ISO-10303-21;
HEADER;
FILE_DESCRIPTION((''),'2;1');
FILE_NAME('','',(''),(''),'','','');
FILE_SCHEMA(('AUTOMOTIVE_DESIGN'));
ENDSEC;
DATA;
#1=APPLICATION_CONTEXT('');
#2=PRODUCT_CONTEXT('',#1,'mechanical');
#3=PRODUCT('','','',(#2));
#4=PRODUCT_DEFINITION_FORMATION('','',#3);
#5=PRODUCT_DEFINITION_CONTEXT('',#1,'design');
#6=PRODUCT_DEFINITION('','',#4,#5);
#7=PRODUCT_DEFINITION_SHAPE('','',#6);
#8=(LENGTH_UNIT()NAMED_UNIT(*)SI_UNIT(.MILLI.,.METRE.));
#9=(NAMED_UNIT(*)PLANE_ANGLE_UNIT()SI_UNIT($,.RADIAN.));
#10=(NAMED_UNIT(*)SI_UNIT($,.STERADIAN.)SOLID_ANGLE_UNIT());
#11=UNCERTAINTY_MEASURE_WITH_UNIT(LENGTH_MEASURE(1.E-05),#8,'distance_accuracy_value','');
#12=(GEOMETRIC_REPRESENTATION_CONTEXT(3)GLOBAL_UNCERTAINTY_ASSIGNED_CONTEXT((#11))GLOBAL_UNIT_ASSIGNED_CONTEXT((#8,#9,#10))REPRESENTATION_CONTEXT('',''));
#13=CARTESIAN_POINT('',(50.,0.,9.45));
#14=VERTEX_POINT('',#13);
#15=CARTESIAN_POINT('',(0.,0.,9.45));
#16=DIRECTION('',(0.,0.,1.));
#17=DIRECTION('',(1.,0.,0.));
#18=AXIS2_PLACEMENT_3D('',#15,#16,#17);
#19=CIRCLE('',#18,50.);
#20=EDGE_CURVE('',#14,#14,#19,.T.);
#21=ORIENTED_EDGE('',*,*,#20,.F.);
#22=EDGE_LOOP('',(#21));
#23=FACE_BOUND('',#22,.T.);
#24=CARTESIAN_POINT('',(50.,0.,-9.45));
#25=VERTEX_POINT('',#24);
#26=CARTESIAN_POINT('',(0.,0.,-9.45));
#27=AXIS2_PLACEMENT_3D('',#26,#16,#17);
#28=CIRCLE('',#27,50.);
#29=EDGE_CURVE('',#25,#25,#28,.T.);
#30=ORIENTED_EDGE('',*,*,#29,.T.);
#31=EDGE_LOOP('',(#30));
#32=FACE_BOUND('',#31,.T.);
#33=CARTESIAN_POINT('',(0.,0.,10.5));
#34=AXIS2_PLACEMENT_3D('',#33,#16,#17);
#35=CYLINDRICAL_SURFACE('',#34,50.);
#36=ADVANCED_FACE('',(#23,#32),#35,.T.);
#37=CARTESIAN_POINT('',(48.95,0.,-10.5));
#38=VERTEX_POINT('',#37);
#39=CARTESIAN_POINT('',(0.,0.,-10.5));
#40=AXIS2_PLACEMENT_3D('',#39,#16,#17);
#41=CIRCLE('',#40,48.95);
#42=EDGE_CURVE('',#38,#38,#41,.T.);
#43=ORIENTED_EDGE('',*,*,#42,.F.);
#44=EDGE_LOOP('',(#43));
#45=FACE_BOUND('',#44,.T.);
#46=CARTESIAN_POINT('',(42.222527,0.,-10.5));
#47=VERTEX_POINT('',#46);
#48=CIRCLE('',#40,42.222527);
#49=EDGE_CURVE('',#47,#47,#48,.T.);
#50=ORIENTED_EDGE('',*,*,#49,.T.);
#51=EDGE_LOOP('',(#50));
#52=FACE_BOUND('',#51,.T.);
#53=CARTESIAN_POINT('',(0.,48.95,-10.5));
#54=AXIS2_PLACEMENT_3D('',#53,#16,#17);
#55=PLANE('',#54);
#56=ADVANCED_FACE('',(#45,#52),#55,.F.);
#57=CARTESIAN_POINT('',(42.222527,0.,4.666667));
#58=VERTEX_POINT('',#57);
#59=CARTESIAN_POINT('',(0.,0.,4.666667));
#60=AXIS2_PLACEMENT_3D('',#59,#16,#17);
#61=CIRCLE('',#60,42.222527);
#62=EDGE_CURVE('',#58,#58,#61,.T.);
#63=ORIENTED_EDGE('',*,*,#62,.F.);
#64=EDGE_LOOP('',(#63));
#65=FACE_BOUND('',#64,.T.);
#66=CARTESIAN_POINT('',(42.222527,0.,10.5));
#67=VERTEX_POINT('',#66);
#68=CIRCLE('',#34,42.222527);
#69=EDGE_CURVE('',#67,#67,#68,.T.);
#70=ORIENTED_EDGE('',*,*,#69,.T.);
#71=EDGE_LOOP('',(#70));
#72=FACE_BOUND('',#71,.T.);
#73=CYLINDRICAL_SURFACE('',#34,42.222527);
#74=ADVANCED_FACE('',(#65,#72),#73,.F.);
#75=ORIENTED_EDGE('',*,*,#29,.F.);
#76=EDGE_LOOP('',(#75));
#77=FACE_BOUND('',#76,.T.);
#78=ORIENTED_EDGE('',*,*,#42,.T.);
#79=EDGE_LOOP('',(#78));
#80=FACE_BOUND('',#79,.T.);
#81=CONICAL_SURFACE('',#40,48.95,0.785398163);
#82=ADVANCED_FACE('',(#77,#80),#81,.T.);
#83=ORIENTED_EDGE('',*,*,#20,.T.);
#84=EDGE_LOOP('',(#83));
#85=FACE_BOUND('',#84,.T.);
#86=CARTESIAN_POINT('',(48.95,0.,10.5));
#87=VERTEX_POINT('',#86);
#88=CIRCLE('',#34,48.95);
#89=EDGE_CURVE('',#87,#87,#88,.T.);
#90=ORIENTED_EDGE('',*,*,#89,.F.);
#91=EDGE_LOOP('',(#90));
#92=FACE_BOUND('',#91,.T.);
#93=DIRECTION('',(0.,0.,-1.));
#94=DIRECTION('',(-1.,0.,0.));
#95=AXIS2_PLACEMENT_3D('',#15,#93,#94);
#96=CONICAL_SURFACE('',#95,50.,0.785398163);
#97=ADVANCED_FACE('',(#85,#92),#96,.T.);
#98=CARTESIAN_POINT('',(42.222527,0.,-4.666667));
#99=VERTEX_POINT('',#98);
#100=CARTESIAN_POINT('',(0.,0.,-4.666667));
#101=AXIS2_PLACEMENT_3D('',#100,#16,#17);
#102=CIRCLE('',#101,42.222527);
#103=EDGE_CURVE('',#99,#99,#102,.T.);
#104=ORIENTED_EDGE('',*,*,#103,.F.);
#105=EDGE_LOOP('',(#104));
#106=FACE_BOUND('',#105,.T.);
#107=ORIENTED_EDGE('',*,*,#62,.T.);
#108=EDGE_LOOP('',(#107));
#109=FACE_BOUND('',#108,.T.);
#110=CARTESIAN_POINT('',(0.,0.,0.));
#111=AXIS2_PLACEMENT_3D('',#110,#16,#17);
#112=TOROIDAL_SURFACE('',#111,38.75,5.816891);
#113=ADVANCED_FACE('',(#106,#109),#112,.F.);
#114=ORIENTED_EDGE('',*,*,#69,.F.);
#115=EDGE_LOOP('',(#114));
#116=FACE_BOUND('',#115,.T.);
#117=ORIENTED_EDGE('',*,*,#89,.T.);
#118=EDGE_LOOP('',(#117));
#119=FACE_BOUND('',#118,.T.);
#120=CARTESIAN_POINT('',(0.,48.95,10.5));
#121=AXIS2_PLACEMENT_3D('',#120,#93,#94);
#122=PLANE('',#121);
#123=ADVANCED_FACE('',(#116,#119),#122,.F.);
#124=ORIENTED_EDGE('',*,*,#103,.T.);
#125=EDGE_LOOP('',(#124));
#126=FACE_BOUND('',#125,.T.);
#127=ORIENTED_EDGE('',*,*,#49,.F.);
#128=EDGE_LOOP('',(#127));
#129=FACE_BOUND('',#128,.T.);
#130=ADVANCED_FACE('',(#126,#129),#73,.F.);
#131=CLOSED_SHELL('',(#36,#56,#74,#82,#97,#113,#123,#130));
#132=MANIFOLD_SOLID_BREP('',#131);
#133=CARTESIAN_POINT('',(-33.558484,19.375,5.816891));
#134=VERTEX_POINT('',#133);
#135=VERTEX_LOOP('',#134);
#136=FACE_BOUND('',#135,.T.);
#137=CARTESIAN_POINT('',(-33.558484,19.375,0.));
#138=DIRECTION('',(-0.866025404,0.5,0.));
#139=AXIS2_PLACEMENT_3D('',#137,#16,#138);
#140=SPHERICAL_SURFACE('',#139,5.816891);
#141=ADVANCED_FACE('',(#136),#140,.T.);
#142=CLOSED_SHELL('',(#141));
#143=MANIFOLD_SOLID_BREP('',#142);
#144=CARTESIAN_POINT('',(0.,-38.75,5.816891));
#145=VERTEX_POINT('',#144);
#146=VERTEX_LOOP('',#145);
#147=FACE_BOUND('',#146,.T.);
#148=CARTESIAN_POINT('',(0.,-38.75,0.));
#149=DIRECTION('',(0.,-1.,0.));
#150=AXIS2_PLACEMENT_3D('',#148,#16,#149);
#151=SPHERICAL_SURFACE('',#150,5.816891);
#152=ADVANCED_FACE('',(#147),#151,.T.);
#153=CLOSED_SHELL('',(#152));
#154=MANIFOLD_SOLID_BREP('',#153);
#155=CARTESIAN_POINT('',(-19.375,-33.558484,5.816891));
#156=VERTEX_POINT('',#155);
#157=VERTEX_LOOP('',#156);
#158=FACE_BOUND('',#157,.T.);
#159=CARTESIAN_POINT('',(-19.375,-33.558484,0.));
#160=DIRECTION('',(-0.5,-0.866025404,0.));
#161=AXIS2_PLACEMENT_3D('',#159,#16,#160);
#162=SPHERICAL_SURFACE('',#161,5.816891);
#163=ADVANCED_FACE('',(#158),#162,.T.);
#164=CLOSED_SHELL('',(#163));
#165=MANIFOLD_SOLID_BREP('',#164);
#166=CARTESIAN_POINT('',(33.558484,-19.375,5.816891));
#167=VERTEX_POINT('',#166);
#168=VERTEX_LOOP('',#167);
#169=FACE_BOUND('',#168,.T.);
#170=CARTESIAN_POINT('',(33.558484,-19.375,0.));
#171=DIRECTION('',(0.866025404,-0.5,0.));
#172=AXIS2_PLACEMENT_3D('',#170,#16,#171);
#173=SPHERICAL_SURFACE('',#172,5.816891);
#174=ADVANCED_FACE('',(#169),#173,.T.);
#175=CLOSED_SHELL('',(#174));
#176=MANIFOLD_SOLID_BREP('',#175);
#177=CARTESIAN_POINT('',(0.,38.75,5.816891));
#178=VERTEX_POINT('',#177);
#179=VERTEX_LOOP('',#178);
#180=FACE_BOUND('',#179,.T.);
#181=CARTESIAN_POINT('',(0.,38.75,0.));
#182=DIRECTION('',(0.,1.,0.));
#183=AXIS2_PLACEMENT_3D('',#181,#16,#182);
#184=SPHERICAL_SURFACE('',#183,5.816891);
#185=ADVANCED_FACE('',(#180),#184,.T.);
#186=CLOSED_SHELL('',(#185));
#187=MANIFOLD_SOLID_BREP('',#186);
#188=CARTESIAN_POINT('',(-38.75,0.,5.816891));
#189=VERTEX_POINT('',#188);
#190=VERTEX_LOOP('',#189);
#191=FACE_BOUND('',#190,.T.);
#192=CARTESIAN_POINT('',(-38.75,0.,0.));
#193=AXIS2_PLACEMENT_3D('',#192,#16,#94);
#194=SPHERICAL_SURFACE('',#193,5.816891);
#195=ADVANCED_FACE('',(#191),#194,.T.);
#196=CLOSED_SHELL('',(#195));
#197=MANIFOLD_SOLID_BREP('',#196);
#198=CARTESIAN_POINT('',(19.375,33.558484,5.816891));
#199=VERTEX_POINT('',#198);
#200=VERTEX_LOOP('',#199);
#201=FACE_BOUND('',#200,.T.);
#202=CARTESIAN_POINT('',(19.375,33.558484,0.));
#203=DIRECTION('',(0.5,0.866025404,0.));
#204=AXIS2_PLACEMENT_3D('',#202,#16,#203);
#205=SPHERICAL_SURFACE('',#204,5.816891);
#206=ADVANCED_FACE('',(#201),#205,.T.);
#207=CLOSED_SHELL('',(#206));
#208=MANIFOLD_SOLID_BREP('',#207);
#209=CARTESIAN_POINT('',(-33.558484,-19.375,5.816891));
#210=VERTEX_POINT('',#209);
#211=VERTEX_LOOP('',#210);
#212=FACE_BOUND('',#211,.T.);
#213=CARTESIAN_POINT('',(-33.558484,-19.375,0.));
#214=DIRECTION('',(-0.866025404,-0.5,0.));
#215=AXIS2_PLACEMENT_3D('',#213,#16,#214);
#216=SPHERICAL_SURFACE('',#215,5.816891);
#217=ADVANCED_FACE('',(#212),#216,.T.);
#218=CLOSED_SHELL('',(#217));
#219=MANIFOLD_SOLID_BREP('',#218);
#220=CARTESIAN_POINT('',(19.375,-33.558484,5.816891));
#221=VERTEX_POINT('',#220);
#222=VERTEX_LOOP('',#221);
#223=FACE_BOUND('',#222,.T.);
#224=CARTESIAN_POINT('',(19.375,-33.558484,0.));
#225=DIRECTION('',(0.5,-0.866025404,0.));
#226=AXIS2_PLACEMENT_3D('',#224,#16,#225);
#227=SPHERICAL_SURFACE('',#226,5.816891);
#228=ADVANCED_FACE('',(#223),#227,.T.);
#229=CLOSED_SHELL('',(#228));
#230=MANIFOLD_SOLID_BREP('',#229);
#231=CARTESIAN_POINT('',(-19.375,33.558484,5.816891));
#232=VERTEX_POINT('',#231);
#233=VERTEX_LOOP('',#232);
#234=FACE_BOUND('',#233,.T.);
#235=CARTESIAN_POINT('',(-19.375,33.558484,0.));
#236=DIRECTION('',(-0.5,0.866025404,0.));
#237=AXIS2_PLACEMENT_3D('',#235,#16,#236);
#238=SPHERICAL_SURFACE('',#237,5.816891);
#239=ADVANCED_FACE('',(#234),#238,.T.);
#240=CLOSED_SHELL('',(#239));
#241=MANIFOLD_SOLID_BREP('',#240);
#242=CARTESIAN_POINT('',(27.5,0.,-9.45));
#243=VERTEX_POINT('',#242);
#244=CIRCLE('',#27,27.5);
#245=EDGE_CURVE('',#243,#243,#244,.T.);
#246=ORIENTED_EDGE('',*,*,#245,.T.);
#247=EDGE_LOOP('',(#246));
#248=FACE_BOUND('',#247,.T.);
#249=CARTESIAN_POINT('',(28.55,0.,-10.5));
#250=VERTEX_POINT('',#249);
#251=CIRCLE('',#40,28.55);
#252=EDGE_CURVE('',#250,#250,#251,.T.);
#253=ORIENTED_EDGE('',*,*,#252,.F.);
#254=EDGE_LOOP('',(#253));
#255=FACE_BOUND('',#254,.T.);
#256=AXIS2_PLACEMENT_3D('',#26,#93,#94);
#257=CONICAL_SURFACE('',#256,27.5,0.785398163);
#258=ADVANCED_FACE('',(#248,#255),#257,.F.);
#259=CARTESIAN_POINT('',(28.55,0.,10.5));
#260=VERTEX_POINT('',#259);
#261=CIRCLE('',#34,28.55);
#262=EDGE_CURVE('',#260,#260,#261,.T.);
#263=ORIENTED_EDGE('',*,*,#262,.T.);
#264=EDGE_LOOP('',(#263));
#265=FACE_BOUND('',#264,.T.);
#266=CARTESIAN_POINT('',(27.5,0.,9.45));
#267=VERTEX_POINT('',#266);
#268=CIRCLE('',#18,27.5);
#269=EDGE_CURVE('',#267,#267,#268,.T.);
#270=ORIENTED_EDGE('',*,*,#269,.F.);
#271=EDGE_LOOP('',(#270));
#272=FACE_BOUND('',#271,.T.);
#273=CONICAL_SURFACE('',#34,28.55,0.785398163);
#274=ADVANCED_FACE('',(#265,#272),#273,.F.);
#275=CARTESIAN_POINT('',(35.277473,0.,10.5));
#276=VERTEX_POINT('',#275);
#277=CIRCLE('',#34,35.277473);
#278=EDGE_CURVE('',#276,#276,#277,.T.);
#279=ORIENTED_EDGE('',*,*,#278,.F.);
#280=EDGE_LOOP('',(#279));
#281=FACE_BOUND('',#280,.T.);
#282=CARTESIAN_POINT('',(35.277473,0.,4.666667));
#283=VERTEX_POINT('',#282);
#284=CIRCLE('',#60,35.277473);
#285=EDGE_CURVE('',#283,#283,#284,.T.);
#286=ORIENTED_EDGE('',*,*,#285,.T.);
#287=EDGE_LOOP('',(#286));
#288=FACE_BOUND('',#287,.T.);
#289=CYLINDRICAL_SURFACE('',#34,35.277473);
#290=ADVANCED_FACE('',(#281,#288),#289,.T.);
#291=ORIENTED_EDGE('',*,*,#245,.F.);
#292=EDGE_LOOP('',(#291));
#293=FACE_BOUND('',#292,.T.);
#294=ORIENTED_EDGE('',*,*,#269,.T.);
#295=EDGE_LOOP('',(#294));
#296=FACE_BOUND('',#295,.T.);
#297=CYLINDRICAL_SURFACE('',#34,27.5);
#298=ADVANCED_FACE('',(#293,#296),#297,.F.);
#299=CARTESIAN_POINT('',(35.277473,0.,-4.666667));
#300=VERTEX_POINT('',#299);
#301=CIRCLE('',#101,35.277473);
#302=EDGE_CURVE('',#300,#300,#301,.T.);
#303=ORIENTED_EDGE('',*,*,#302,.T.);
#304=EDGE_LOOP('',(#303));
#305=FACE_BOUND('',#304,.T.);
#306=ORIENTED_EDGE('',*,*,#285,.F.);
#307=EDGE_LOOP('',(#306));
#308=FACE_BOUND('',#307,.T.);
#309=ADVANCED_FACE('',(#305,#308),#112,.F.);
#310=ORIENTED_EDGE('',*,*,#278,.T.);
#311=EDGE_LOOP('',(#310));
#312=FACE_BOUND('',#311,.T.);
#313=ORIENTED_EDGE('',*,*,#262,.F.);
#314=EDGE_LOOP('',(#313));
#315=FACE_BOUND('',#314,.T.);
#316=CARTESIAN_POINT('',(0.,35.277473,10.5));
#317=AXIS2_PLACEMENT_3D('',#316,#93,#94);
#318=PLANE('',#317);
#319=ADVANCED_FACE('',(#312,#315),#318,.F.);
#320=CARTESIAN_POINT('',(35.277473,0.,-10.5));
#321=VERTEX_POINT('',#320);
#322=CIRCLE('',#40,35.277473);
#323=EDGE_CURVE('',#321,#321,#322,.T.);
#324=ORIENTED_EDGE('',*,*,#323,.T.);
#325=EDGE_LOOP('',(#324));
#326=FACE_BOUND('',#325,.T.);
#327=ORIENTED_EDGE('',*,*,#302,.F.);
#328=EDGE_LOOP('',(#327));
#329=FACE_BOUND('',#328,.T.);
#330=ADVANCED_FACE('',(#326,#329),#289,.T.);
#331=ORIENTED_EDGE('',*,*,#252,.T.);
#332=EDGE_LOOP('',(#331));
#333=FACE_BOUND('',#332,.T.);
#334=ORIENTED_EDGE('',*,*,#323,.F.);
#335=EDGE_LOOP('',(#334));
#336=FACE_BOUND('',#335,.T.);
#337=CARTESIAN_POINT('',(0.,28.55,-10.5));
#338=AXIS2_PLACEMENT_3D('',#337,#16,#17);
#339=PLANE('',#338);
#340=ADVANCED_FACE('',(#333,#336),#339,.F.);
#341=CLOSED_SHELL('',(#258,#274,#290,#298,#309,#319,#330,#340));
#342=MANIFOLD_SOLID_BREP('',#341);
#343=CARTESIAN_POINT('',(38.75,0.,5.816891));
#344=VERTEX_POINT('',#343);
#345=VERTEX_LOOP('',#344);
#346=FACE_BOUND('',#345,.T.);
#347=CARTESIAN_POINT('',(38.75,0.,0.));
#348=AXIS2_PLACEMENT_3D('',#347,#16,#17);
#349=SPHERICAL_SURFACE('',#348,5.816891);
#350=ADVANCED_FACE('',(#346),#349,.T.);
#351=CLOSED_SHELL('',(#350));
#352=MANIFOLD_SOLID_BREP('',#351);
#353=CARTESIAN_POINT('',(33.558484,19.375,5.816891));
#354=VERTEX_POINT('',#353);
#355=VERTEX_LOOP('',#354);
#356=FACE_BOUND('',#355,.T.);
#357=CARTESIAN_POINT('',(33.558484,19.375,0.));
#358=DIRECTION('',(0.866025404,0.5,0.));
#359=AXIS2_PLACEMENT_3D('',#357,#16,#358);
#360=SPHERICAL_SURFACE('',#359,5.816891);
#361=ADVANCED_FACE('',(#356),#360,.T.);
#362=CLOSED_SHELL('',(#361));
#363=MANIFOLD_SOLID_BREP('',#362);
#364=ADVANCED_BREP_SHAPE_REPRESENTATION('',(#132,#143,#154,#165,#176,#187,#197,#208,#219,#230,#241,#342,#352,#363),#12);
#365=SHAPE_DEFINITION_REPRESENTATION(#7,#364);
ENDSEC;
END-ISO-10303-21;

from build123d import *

# Parameters (mm, degrees)
CIRPATTERN1_COUNT = 12


with BuildPart() as part:
    # Sketch1 → Revolve1 (revolve)
    with BuildSketch(Plane(origin=(0, 0, 0), x_dir=(0, 0, -1), z_dir=(1, 0, 0))):
        with BuildLine():
            Line((9.45, 50), (-9.45, 50))
            Line((-9.45, 50), (-10.5, 48.95))
            Line((-10.5, 48.95), (-10.5, 42.222527473))
            Line((-10.5, 42.222527473), (-4.666666667, 42.222527473))
            ThreePointArc((-4.666666667, 42.222527473), (0, 44.566891337), (4.666666667, 42.222527473))
            Line((4.666666667, 42.222527473), (10.5, 42.222527473))
            Line((10.5, 42.222527473), (10.5, 48.95))
            Line((10.5, 48.95), (9.45, 50))
        make_face()
    revolve(axis=Axis((0, 0, 10.5), (0, 0, -1)))


with BuildPart() as body_2:
    # Sketch3 → Revolve3 (revolve)
    with BuildSketch(Plane(origin=(0, 0, 0), x_dir=(0, 0, -1), z_dir=(1, 0, 0))):
        with BuildLine():
            Line((-10.5, 35.277472527), (-4.666666667, 35.277472527))
            ThreePointArc((-4.666666667, 35.277472527), (0, 32.933108663), (4.666666667, 35.277472527))
            Line((4.666666667, 35.277472527), (10.5, 35.277472527))
            Line((10.5, 35.277472527), (10.5, 28.55))
            Line((10.5, 28.55), (9.45, 27.5))
            Line((9.45, 27.5), (-9.45, 27.5))
            Line((-9.45, 27.5), (-10.5, 28.55))
            Line((-10.5, 28.55), (-10.5, 35.277472527))
        make_face()
    revolve(axis=Axis((0, 0, 10.5), (0, 0, -1)))


with BuildPart() as body_3:
    # Sketch4 → Revolve4 (revolve)
    with BuildSketch(Plane(origin=(0, 0, 0), x_dir=(0, 0, -1), z_dir=(1, 0, 0))):
        with BuildLine():
            Line((-5.816891337, 38.75), (5.816891337, 38.75))
            ThreePointArc((5.816891337, 38.75), (0, 44.566891337), (-5.816891337, 38.75))
        make_face()
    revolve(axis=Axis((0, 38.75, 5.816891337), (0, 0, -1)))


with BuildPart() as cirpattern1_1:
    # CirPattern1: pattern copy
    add(body_3.part.rotate(Axis((0, 0, -10.5), (0, 0, 1)), 1 * 360 / CIRPATTERN1_COUNT))


with BuildPart() as cirpattern1_2:
    # CirPattern1: pattern copy
    add(body_3.part.rotate(Axis((0, 0, -10.5), (0, 0, 1)), 2 * 360 / CIRPATTERN1_COUNT))


with BuildPart() as cirpattern1_3:
    # CirPattern1: pattern copy
    add(body_3.part.rotate(Axis((0, 0, -10.5), (0, 0, 1)), 3 * 360 / CIRPATTERN1_COUNT))


with BuildPart() as cirpattern1_4:
    # CirPattern1: pattern copy
    add(body_3.part.rotate(Axis((0, 0, -10.5), (0, 0, 1)), 4 * 360 / CIRPATTERN1_COUNT))


with BuildPart() as cirpattern1_5:
    # CirPattern1: pattern copy
    add(body_3.part.rotate(Axis((0, 0, -10.5), (0, 0, 1)), 5 * 360 / CIRPATTERN1_COUNT))


with BuildPart() as cirpattern1_6:
    # CirPattern1: pattern copy
    add(body_3.part.rotate(Axis((0, 0, -10.5), (0, 0, 1)), 6 * 360 / CIRPATTERN1_COUNT))


with BuildPart() as cirpattern1_7:
    # CirPattern1: pattern copy
    add(body_3.part.rotate(Axis((0, 0, -10.5), (0, 0, 1)), 7 * 360 / CIRPATTERN1_COUNT))


with BuildPart() as cirpattern1_8:
    # CirPattern1: pattern copy
    add(body_3.part.rotate(Axis((0, 0, -10.5), (0, 0, 1)), 8 * 360 / CIRPATTERN1_COUNT))


with BuildPart() as cirpattern1_9:
    # CirPattern1: pattern copy
    add(body_3.part.rotate(Axis((0, 0, -10.5), (0, 0, 1)), 9 * 360 / CIRPATTERN1_COUNT))


with BuildPart() as cirpattern1_10:
    # CirPattern1: pattern copy
    add(body_3.part.rotate(Axis((0, 0, -10.5), (0, 0, 1)), 10 * 360 / CIRPATTERN1_COUNT))


with BuildPart() as cirpattern1_11:
    # CirPattern1: pattern copy
    add(body_3.part.rotate(Axis((0, 0, -10.5), (0, 0, 1)), 11 * 360 / CIRPATTERN1_COUNT))


solid = Compound([part.part, body_2.part, body_3.part, cirpattern1_1.part, cirpattern1_2.part, cirpattern1_3.part, cirpattern1_4.part, cirpattern1_5.part, cirpattern1_6.part, cirpattern1_7.part, cirpattern1_8.part, cirpattern1_9.part, cirpattern1_10.part, cirpattern1_11.part])
